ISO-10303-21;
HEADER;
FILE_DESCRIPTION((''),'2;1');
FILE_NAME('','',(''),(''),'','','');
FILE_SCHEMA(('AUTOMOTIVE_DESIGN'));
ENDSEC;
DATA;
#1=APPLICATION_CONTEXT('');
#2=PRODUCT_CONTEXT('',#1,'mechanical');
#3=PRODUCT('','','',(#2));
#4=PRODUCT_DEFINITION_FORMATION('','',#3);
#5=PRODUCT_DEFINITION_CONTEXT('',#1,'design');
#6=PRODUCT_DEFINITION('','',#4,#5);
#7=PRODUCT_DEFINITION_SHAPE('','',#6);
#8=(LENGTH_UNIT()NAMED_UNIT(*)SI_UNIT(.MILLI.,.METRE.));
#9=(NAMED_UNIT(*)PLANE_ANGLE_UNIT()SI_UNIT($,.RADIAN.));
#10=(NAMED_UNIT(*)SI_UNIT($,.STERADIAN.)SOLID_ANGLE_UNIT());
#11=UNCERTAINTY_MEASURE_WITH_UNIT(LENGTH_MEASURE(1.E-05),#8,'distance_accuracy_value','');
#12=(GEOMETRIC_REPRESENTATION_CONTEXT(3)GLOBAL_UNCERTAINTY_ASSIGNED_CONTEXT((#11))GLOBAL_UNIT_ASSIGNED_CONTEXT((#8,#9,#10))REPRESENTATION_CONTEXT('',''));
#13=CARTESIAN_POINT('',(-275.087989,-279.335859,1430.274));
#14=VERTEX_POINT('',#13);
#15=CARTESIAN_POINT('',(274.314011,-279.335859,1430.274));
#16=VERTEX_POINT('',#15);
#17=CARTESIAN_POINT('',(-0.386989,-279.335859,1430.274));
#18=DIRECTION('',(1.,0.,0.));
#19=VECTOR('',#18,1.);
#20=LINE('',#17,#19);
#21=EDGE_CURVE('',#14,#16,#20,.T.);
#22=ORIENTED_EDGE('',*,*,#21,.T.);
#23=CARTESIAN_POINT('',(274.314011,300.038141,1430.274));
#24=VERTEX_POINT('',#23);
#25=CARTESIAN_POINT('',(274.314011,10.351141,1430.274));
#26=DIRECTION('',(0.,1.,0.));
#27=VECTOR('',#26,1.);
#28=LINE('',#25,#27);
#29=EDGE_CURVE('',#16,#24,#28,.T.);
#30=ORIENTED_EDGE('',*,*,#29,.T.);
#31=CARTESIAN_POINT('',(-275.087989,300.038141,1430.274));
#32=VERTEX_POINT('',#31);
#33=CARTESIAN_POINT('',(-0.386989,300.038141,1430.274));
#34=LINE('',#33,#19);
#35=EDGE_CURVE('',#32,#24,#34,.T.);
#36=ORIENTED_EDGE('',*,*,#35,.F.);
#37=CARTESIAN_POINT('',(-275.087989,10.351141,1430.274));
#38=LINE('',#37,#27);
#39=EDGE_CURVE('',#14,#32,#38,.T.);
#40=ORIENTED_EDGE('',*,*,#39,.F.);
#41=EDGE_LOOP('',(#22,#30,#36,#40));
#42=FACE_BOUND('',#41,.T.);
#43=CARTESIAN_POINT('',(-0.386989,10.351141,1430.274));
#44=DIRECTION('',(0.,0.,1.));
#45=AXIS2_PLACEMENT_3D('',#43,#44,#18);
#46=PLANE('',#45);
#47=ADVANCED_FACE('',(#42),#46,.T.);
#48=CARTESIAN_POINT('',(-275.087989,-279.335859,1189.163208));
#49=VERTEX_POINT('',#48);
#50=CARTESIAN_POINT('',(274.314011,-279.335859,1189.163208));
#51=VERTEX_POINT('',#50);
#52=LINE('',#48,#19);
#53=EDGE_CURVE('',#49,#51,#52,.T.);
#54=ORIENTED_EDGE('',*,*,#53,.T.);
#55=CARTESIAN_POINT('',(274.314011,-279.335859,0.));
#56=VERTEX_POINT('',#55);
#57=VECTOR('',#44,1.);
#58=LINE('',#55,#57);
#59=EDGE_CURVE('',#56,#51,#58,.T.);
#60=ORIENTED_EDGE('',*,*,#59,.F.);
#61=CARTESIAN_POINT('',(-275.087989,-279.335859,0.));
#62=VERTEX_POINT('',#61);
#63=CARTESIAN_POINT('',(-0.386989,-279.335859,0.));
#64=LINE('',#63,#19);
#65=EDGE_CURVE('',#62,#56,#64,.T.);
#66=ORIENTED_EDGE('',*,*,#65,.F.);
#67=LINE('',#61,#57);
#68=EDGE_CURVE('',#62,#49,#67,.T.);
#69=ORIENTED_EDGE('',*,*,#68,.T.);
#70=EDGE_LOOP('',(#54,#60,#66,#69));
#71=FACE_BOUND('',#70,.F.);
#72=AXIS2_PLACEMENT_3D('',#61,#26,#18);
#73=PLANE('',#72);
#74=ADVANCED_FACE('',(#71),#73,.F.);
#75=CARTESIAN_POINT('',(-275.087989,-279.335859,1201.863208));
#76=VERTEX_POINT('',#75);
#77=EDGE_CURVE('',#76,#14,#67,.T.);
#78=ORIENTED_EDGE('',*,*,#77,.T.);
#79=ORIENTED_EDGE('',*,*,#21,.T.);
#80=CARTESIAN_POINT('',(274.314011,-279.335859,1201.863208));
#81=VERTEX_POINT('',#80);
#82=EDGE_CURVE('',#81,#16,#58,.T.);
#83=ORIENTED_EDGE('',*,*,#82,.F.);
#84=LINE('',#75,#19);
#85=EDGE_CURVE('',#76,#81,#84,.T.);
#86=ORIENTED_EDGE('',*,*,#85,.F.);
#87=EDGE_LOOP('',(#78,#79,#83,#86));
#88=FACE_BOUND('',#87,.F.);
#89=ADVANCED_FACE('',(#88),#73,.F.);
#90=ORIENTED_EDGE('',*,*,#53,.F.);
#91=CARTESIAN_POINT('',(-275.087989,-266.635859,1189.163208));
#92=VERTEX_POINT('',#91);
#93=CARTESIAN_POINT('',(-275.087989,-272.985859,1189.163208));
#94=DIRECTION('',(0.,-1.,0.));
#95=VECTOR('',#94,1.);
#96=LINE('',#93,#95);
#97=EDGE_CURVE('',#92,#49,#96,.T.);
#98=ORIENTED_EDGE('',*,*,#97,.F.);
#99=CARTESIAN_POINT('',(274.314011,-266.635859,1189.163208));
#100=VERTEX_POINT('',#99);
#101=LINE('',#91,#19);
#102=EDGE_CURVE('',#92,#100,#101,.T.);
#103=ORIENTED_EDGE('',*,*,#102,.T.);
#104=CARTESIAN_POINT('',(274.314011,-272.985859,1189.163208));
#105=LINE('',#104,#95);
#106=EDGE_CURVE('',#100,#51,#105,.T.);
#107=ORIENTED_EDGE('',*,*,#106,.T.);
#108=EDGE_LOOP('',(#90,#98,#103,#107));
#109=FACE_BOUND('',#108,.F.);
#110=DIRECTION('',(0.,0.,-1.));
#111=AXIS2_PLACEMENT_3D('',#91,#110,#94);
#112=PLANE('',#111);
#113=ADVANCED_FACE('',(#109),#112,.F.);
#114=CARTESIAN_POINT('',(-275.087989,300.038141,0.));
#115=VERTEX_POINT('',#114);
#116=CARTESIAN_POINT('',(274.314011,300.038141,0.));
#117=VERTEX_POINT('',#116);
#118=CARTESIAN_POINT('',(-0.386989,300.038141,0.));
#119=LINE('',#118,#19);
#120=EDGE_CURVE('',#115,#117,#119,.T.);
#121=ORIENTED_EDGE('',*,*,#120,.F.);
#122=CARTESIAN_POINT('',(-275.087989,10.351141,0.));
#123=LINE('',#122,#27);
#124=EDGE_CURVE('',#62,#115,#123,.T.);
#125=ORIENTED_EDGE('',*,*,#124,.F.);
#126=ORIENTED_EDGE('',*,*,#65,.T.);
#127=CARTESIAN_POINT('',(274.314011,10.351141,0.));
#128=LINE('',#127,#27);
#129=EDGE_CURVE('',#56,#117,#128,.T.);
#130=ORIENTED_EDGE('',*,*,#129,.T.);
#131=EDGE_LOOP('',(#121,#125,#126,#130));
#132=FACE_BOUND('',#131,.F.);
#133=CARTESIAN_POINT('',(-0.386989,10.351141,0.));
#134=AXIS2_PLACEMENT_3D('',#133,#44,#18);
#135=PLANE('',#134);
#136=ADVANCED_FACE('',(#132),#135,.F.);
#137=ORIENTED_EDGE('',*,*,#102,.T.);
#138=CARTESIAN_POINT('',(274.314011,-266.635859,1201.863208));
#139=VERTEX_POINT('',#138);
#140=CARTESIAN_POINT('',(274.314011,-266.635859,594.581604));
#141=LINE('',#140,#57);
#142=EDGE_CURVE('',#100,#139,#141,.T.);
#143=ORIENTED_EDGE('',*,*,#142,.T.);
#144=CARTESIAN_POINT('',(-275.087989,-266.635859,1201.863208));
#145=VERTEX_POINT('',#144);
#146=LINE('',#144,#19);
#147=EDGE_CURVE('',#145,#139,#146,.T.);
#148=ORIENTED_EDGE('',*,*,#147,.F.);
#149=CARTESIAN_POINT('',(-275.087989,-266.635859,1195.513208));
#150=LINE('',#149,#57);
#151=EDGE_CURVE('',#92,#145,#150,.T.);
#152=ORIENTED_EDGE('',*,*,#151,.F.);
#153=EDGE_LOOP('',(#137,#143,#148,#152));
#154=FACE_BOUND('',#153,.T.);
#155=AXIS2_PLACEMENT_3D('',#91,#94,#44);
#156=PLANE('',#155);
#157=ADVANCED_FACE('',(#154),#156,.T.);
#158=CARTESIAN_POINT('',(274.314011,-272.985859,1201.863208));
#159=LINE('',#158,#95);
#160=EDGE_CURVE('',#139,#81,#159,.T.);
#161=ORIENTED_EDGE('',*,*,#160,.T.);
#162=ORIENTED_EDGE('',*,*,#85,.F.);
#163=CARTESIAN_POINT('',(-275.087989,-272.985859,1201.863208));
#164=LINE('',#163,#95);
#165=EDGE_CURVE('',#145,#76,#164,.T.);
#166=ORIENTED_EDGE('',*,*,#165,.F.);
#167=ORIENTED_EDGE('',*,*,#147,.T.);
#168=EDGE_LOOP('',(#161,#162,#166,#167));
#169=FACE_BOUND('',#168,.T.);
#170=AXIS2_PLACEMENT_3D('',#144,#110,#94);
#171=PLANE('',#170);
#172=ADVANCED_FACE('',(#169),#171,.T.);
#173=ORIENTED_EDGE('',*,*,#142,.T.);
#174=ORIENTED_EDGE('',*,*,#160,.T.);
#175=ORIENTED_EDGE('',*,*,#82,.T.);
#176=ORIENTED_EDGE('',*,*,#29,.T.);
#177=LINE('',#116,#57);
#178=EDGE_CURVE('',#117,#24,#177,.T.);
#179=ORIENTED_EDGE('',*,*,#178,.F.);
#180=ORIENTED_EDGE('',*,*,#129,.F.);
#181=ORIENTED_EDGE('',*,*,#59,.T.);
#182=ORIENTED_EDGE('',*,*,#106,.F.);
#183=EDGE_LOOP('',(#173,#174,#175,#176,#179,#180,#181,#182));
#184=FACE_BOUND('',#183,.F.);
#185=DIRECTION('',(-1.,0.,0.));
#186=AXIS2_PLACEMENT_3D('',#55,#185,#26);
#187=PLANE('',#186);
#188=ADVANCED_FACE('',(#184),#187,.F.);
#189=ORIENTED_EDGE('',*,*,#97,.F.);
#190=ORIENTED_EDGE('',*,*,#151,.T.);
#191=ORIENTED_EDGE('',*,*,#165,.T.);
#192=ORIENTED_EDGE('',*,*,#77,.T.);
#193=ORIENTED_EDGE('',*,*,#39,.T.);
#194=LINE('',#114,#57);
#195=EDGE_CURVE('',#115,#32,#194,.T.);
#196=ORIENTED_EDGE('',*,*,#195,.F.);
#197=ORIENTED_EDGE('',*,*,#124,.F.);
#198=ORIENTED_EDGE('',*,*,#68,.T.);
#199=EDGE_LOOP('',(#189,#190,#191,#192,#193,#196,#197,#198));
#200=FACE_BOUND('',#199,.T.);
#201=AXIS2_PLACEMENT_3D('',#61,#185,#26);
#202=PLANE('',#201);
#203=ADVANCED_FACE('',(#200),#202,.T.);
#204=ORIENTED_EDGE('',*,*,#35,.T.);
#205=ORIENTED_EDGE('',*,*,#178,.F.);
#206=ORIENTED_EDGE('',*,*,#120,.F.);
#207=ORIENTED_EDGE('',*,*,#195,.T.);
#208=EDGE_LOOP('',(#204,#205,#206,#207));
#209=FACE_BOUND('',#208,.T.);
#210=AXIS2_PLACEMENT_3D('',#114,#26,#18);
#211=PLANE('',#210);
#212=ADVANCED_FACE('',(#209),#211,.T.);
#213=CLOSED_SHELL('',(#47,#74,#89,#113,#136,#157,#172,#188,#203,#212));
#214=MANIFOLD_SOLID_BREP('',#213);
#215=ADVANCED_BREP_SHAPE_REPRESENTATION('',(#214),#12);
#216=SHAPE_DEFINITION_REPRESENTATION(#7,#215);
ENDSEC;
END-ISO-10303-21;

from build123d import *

# Parameters (mm, degrees)
F0_W     = 549.402
F0_H     = 579.374
F1_DEPTH = 1430.274
F2_W     = 12.7
F2_H     = 12.7
F3_DEPTH = 549.403


with BuildPart() as f1:
    # F0 (on Top) → F1 (new body)
    with BuildSketch(Plane.XY):
        with Locations((-0.386989, 10.351141)):
            Rectangle(F0_W, F0_H)
    extrude(amount=F1_DEPTH)

    # F2 (on face) → F3 (cut, through all)
    with BuildSketch(Plane(origin=(-275.087989, 0, 0), x_dir=(0, -1, 0), z_dir=(-1, 0, 0))):
        with Locations((272.985859, 1195.513208)):
            Rectangle(F2_W, F2_H)
    extrude(amount=-F3_DEPTH, mode=Mode.SUBTRACT)


solid = f1.part
